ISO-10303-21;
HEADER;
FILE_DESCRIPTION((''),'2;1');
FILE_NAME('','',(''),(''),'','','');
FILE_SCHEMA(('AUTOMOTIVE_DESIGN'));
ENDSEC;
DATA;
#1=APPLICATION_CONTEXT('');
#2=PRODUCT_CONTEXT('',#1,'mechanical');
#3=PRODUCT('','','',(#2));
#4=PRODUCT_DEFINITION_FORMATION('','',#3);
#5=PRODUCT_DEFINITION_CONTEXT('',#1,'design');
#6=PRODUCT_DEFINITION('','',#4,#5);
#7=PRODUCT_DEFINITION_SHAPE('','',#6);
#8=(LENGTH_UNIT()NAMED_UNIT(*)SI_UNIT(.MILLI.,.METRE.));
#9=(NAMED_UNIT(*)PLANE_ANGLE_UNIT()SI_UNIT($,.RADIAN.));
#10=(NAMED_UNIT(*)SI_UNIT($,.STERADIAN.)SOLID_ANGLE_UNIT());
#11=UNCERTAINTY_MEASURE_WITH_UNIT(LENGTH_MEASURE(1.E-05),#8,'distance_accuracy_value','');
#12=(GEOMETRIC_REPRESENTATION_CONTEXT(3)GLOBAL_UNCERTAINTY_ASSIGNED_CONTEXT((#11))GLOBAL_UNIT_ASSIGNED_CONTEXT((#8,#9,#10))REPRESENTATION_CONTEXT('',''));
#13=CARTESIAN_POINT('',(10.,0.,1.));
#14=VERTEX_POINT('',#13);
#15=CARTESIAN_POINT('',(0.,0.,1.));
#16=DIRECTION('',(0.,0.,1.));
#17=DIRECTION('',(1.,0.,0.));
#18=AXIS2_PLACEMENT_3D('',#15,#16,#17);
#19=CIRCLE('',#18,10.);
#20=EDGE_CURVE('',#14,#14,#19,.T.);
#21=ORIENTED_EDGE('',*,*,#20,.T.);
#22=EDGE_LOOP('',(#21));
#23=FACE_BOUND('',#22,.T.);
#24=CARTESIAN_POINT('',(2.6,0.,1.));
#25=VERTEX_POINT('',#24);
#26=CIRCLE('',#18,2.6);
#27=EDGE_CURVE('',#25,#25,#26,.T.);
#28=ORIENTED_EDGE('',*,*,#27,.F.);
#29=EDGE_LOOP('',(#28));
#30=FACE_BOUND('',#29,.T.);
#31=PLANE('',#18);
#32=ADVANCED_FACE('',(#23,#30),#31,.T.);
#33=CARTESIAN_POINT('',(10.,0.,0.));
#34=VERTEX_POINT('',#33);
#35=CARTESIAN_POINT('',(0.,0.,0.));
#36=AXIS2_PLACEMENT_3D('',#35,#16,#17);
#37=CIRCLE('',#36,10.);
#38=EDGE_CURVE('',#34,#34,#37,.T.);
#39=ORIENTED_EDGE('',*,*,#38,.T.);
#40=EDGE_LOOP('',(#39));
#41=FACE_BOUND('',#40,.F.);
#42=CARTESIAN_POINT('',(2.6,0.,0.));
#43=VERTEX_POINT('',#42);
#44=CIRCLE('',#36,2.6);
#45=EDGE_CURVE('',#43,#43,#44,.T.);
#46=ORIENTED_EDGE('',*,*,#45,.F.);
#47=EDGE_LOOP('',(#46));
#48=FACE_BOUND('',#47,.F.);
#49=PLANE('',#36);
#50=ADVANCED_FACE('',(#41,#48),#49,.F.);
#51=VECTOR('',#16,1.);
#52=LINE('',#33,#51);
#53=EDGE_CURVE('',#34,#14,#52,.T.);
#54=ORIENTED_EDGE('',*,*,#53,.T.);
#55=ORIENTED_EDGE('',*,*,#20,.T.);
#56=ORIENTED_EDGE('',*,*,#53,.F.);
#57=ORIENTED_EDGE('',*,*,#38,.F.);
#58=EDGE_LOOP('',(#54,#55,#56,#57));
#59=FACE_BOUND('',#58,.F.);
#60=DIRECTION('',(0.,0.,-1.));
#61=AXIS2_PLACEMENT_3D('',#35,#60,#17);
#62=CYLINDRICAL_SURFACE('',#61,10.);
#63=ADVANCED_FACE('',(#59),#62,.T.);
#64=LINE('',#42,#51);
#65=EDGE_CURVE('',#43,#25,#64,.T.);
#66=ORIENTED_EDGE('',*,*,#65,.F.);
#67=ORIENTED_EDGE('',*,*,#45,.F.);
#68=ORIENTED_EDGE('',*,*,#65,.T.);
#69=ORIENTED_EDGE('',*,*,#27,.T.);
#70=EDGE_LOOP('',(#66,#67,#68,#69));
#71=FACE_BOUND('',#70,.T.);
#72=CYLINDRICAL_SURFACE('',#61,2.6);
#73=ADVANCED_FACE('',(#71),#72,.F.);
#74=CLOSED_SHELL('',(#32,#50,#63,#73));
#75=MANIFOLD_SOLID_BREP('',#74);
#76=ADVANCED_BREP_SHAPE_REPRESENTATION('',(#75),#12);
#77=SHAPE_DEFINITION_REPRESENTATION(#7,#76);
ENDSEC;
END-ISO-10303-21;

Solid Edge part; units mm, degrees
sketch "Sketch1" plane through (0, 0, 0) normal (0, 0, 1) x (1, 0, 0)
  circle A0 centre (0, 0) radius 10
  circle A1 centre (0, 0) radius 2.6
  dimension "D1" = 20
  dimension "D2" = 5.2
extrude "Protrusion1" add sketch "Sketch1" along normal blind 1
properties material "Stainless steel"
